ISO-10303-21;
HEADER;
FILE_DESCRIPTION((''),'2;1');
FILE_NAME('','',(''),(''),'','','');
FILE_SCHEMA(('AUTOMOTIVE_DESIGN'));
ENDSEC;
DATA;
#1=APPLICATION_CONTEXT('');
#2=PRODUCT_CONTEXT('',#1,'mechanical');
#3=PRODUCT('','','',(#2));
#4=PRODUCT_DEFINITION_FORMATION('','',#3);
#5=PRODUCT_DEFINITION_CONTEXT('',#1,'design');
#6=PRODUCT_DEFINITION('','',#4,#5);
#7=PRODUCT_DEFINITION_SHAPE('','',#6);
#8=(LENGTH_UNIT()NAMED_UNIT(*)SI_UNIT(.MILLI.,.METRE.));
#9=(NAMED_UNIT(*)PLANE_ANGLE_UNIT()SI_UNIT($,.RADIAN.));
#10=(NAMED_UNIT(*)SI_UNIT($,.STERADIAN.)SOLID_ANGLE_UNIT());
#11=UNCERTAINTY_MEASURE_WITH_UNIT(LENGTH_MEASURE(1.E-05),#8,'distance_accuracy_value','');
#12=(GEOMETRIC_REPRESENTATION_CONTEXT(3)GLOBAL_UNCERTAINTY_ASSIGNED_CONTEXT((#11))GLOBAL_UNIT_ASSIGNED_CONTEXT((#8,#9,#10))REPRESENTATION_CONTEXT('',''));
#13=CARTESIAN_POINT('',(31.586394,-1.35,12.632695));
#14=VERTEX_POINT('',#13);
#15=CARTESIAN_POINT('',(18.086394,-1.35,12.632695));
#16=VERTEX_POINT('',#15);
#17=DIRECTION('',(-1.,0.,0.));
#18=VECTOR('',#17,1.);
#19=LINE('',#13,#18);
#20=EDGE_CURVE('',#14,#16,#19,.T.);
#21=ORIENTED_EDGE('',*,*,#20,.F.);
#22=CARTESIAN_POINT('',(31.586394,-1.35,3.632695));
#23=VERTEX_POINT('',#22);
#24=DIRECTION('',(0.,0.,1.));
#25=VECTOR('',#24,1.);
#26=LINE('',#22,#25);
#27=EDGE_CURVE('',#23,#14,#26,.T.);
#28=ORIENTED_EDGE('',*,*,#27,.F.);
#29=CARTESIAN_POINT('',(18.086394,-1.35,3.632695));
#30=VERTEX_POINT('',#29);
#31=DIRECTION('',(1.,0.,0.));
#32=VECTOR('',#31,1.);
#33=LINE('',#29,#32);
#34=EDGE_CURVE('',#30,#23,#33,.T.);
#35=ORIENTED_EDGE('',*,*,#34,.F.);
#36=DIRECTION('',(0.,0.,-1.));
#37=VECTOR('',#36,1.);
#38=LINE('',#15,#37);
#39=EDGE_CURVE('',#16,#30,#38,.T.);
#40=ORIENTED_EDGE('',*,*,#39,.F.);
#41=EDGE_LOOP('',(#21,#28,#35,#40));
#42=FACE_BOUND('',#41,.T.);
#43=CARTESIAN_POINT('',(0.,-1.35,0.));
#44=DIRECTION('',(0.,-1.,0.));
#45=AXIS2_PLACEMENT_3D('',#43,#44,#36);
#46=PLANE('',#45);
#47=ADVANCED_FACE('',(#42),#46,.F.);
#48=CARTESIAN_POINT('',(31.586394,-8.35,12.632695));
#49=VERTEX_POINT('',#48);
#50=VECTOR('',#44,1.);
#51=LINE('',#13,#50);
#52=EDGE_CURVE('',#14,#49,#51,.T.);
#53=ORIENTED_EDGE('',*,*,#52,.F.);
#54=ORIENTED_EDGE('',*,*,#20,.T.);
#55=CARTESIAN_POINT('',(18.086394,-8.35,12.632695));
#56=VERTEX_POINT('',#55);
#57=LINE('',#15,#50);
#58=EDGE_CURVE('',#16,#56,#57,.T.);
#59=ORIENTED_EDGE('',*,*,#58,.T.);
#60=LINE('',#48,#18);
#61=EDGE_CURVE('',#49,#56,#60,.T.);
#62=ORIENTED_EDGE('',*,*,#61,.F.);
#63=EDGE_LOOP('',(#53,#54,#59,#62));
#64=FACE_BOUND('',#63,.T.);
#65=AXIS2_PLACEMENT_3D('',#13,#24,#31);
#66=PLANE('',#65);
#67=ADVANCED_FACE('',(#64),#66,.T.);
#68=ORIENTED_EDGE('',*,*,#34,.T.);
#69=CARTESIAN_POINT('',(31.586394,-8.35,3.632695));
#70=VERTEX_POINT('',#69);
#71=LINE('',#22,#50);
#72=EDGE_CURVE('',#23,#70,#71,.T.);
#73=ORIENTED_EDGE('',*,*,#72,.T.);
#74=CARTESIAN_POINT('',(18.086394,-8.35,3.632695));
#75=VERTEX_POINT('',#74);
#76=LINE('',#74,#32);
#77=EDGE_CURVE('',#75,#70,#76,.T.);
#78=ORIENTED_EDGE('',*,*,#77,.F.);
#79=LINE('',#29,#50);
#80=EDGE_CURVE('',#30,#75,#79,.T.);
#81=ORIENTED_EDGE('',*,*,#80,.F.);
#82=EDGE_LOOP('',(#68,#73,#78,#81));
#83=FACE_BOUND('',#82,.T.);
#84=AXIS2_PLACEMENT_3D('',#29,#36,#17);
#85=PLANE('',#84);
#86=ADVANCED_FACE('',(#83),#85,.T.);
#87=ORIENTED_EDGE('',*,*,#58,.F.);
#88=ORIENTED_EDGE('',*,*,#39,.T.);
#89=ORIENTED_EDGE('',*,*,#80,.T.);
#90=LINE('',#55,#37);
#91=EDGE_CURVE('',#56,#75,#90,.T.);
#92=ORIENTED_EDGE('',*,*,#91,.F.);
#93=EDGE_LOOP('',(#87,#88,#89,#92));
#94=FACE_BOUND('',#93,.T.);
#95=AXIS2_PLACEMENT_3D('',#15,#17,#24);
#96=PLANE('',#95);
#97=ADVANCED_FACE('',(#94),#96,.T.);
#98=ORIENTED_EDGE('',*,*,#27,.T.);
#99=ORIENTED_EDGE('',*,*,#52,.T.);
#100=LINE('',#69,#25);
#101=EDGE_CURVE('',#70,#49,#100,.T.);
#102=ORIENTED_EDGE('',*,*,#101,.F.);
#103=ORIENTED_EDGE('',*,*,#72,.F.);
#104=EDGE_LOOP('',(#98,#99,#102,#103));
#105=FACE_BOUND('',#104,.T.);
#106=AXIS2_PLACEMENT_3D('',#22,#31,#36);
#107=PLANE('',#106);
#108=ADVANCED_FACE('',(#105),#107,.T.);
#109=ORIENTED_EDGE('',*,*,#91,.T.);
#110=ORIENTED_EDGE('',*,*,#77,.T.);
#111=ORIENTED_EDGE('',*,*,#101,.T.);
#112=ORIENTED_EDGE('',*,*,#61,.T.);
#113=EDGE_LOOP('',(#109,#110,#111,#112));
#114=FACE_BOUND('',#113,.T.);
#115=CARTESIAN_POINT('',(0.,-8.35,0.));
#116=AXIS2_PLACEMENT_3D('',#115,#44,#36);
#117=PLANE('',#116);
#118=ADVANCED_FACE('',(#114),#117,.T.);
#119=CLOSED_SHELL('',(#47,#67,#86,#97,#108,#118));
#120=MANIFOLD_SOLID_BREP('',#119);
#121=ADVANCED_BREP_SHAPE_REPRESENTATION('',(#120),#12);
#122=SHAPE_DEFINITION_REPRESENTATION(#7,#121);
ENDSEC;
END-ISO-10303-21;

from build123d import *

# Parameters (mm, degrees)
DODANIE_WYCI_GNI_CIE1_DEPTH      = 3
DODANIE_WYCI_GNI_CIE1_DEPTH_BACK = 4
SZKIC2_W                         = 13.5
SZKIC2_H                         = 9


with BuildPart() as part:
    # Szkic2 → Dodanie-wyciągnięcie1 (new, two sides: drawn at the far end of the back side and taken through both)
    with BuildSketch(Plane.XZ.offset(5.349999729).offset(-DODANIE_WYCI_GNI_CIE1_DEPTH_BACK)):
        with Locations((24.836394432, 8.132695234)):
            Rectangle(SZKIC2_W, SZKIC2_H)
    extrude(amount=DODANIE_WYCI_GNI_CIE1_DEPTH + DODANIE_WYCI_GNI_CIE1_DEPTH_BACK)


solid = part.part
